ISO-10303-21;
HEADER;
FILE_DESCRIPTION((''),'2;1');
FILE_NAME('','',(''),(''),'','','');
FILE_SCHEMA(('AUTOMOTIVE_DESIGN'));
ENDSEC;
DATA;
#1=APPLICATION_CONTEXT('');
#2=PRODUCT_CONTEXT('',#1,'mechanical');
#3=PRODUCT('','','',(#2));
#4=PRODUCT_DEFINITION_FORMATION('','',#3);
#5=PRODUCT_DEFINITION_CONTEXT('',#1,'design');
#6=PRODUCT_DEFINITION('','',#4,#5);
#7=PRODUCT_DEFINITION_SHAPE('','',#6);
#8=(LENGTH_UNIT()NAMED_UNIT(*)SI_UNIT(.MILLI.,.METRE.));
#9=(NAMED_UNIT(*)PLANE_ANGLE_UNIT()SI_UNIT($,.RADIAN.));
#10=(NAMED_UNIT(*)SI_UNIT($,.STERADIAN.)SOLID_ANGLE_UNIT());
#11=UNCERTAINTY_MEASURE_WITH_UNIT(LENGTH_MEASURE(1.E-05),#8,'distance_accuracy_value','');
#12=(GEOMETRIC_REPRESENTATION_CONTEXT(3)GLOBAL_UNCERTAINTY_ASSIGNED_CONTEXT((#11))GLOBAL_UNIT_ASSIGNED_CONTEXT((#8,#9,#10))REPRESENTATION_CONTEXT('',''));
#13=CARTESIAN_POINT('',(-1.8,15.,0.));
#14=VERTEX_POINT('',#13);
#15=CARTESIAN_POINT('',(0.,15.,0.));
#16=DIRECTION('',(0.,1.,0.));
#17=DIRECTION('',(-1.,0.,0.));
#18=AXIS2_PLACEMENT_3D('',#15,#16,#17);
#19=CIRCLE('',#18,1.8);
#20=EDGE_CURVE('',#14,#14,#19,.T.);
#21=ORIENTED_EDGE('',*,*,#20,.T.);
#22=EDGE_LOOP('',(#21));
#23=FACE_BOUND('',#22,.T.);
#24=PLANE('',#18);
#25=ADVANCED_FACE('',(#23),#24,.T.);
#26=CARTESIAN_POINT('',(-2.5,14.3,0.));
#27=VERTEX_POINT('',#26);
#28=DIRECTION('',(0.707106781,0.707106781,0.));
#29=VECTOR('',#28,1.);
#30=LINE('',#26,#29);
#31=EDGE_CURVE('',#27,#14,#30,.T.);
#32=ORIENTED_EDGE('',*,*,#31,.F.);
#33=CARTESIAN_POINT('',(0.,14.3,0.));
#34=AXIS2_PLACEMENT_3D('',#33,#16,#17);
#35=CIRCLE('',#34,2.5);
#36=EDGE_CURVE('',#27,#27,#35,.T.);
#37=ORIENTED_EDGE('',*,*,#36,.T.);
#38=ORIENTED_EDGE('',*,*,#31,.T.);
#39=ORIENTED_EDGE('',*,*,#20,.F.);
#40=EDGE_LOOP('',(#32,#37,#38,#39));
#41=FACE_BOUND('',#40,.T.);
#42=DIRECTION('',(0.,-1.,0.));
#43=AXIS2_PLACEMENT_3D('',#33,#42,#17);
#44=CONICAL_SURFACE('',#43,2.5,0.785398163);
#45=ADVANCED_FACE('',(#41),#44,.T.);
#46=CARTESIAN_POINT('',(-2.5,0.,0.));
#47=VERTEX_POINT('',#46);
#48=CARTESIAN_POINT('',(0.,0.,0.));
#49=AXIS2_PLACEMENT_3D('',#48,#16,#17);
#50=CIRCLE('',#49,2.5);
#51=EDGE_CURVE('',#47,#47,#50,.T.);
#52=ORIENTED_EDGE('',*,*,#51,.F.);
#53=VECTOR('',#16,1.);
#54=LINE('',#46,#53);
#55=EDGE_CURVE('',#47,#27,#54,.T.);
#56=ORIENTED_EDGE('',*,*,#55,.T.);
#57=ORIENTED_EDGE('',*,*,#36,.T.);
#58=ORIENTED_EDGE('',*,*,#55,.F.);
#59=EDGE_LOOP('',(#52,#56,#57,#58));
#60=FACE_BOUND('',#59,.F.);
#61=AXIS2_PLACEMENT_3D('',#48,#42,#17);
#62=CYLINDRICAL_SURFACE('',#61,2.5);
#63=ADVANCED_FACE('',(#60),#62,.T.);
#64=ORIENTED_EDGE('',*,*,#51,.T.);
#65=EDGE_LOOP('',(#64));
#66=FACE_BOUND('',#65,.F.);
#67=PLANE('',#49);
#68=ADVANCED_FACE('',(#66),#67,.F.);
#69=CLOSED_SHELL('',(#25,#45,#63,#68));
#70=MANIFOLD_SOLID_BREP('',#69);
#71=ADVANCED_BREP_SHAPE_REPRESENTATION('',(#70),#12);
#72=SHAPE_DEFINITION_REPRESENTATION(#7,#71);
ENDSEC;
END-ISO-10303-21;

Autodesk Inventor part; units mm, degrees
ref_plane "YZ Plane" through (0, 0, 0) normal (1, 0, 0) x (0, 1, 0)
ref_plane "XZ Plane" through (0, 0, 0) normal (0, 1, 0) x (-1, 0, 0)
ref_plane "XY Plane" through (0, 0, 0) normal (0, 0, 1) x (1, 0, 0)
sketch "Sketch1" plane through (0, 0, 0) normal (0, 1, 0) x (-1, 0, 0)
  circle A0 centre (0, 0) radius 2.5
  dimension "d0" = 5
extrude "Extrusion1" add sketch "Sketch1" along normal blind 15
chamfer "Chamfer1" distance 0.7 angle 45 1 edges at (2.5, 15, 0)
properties part number "HeadScrewWithoutNot" material "Steel, Carbon"
